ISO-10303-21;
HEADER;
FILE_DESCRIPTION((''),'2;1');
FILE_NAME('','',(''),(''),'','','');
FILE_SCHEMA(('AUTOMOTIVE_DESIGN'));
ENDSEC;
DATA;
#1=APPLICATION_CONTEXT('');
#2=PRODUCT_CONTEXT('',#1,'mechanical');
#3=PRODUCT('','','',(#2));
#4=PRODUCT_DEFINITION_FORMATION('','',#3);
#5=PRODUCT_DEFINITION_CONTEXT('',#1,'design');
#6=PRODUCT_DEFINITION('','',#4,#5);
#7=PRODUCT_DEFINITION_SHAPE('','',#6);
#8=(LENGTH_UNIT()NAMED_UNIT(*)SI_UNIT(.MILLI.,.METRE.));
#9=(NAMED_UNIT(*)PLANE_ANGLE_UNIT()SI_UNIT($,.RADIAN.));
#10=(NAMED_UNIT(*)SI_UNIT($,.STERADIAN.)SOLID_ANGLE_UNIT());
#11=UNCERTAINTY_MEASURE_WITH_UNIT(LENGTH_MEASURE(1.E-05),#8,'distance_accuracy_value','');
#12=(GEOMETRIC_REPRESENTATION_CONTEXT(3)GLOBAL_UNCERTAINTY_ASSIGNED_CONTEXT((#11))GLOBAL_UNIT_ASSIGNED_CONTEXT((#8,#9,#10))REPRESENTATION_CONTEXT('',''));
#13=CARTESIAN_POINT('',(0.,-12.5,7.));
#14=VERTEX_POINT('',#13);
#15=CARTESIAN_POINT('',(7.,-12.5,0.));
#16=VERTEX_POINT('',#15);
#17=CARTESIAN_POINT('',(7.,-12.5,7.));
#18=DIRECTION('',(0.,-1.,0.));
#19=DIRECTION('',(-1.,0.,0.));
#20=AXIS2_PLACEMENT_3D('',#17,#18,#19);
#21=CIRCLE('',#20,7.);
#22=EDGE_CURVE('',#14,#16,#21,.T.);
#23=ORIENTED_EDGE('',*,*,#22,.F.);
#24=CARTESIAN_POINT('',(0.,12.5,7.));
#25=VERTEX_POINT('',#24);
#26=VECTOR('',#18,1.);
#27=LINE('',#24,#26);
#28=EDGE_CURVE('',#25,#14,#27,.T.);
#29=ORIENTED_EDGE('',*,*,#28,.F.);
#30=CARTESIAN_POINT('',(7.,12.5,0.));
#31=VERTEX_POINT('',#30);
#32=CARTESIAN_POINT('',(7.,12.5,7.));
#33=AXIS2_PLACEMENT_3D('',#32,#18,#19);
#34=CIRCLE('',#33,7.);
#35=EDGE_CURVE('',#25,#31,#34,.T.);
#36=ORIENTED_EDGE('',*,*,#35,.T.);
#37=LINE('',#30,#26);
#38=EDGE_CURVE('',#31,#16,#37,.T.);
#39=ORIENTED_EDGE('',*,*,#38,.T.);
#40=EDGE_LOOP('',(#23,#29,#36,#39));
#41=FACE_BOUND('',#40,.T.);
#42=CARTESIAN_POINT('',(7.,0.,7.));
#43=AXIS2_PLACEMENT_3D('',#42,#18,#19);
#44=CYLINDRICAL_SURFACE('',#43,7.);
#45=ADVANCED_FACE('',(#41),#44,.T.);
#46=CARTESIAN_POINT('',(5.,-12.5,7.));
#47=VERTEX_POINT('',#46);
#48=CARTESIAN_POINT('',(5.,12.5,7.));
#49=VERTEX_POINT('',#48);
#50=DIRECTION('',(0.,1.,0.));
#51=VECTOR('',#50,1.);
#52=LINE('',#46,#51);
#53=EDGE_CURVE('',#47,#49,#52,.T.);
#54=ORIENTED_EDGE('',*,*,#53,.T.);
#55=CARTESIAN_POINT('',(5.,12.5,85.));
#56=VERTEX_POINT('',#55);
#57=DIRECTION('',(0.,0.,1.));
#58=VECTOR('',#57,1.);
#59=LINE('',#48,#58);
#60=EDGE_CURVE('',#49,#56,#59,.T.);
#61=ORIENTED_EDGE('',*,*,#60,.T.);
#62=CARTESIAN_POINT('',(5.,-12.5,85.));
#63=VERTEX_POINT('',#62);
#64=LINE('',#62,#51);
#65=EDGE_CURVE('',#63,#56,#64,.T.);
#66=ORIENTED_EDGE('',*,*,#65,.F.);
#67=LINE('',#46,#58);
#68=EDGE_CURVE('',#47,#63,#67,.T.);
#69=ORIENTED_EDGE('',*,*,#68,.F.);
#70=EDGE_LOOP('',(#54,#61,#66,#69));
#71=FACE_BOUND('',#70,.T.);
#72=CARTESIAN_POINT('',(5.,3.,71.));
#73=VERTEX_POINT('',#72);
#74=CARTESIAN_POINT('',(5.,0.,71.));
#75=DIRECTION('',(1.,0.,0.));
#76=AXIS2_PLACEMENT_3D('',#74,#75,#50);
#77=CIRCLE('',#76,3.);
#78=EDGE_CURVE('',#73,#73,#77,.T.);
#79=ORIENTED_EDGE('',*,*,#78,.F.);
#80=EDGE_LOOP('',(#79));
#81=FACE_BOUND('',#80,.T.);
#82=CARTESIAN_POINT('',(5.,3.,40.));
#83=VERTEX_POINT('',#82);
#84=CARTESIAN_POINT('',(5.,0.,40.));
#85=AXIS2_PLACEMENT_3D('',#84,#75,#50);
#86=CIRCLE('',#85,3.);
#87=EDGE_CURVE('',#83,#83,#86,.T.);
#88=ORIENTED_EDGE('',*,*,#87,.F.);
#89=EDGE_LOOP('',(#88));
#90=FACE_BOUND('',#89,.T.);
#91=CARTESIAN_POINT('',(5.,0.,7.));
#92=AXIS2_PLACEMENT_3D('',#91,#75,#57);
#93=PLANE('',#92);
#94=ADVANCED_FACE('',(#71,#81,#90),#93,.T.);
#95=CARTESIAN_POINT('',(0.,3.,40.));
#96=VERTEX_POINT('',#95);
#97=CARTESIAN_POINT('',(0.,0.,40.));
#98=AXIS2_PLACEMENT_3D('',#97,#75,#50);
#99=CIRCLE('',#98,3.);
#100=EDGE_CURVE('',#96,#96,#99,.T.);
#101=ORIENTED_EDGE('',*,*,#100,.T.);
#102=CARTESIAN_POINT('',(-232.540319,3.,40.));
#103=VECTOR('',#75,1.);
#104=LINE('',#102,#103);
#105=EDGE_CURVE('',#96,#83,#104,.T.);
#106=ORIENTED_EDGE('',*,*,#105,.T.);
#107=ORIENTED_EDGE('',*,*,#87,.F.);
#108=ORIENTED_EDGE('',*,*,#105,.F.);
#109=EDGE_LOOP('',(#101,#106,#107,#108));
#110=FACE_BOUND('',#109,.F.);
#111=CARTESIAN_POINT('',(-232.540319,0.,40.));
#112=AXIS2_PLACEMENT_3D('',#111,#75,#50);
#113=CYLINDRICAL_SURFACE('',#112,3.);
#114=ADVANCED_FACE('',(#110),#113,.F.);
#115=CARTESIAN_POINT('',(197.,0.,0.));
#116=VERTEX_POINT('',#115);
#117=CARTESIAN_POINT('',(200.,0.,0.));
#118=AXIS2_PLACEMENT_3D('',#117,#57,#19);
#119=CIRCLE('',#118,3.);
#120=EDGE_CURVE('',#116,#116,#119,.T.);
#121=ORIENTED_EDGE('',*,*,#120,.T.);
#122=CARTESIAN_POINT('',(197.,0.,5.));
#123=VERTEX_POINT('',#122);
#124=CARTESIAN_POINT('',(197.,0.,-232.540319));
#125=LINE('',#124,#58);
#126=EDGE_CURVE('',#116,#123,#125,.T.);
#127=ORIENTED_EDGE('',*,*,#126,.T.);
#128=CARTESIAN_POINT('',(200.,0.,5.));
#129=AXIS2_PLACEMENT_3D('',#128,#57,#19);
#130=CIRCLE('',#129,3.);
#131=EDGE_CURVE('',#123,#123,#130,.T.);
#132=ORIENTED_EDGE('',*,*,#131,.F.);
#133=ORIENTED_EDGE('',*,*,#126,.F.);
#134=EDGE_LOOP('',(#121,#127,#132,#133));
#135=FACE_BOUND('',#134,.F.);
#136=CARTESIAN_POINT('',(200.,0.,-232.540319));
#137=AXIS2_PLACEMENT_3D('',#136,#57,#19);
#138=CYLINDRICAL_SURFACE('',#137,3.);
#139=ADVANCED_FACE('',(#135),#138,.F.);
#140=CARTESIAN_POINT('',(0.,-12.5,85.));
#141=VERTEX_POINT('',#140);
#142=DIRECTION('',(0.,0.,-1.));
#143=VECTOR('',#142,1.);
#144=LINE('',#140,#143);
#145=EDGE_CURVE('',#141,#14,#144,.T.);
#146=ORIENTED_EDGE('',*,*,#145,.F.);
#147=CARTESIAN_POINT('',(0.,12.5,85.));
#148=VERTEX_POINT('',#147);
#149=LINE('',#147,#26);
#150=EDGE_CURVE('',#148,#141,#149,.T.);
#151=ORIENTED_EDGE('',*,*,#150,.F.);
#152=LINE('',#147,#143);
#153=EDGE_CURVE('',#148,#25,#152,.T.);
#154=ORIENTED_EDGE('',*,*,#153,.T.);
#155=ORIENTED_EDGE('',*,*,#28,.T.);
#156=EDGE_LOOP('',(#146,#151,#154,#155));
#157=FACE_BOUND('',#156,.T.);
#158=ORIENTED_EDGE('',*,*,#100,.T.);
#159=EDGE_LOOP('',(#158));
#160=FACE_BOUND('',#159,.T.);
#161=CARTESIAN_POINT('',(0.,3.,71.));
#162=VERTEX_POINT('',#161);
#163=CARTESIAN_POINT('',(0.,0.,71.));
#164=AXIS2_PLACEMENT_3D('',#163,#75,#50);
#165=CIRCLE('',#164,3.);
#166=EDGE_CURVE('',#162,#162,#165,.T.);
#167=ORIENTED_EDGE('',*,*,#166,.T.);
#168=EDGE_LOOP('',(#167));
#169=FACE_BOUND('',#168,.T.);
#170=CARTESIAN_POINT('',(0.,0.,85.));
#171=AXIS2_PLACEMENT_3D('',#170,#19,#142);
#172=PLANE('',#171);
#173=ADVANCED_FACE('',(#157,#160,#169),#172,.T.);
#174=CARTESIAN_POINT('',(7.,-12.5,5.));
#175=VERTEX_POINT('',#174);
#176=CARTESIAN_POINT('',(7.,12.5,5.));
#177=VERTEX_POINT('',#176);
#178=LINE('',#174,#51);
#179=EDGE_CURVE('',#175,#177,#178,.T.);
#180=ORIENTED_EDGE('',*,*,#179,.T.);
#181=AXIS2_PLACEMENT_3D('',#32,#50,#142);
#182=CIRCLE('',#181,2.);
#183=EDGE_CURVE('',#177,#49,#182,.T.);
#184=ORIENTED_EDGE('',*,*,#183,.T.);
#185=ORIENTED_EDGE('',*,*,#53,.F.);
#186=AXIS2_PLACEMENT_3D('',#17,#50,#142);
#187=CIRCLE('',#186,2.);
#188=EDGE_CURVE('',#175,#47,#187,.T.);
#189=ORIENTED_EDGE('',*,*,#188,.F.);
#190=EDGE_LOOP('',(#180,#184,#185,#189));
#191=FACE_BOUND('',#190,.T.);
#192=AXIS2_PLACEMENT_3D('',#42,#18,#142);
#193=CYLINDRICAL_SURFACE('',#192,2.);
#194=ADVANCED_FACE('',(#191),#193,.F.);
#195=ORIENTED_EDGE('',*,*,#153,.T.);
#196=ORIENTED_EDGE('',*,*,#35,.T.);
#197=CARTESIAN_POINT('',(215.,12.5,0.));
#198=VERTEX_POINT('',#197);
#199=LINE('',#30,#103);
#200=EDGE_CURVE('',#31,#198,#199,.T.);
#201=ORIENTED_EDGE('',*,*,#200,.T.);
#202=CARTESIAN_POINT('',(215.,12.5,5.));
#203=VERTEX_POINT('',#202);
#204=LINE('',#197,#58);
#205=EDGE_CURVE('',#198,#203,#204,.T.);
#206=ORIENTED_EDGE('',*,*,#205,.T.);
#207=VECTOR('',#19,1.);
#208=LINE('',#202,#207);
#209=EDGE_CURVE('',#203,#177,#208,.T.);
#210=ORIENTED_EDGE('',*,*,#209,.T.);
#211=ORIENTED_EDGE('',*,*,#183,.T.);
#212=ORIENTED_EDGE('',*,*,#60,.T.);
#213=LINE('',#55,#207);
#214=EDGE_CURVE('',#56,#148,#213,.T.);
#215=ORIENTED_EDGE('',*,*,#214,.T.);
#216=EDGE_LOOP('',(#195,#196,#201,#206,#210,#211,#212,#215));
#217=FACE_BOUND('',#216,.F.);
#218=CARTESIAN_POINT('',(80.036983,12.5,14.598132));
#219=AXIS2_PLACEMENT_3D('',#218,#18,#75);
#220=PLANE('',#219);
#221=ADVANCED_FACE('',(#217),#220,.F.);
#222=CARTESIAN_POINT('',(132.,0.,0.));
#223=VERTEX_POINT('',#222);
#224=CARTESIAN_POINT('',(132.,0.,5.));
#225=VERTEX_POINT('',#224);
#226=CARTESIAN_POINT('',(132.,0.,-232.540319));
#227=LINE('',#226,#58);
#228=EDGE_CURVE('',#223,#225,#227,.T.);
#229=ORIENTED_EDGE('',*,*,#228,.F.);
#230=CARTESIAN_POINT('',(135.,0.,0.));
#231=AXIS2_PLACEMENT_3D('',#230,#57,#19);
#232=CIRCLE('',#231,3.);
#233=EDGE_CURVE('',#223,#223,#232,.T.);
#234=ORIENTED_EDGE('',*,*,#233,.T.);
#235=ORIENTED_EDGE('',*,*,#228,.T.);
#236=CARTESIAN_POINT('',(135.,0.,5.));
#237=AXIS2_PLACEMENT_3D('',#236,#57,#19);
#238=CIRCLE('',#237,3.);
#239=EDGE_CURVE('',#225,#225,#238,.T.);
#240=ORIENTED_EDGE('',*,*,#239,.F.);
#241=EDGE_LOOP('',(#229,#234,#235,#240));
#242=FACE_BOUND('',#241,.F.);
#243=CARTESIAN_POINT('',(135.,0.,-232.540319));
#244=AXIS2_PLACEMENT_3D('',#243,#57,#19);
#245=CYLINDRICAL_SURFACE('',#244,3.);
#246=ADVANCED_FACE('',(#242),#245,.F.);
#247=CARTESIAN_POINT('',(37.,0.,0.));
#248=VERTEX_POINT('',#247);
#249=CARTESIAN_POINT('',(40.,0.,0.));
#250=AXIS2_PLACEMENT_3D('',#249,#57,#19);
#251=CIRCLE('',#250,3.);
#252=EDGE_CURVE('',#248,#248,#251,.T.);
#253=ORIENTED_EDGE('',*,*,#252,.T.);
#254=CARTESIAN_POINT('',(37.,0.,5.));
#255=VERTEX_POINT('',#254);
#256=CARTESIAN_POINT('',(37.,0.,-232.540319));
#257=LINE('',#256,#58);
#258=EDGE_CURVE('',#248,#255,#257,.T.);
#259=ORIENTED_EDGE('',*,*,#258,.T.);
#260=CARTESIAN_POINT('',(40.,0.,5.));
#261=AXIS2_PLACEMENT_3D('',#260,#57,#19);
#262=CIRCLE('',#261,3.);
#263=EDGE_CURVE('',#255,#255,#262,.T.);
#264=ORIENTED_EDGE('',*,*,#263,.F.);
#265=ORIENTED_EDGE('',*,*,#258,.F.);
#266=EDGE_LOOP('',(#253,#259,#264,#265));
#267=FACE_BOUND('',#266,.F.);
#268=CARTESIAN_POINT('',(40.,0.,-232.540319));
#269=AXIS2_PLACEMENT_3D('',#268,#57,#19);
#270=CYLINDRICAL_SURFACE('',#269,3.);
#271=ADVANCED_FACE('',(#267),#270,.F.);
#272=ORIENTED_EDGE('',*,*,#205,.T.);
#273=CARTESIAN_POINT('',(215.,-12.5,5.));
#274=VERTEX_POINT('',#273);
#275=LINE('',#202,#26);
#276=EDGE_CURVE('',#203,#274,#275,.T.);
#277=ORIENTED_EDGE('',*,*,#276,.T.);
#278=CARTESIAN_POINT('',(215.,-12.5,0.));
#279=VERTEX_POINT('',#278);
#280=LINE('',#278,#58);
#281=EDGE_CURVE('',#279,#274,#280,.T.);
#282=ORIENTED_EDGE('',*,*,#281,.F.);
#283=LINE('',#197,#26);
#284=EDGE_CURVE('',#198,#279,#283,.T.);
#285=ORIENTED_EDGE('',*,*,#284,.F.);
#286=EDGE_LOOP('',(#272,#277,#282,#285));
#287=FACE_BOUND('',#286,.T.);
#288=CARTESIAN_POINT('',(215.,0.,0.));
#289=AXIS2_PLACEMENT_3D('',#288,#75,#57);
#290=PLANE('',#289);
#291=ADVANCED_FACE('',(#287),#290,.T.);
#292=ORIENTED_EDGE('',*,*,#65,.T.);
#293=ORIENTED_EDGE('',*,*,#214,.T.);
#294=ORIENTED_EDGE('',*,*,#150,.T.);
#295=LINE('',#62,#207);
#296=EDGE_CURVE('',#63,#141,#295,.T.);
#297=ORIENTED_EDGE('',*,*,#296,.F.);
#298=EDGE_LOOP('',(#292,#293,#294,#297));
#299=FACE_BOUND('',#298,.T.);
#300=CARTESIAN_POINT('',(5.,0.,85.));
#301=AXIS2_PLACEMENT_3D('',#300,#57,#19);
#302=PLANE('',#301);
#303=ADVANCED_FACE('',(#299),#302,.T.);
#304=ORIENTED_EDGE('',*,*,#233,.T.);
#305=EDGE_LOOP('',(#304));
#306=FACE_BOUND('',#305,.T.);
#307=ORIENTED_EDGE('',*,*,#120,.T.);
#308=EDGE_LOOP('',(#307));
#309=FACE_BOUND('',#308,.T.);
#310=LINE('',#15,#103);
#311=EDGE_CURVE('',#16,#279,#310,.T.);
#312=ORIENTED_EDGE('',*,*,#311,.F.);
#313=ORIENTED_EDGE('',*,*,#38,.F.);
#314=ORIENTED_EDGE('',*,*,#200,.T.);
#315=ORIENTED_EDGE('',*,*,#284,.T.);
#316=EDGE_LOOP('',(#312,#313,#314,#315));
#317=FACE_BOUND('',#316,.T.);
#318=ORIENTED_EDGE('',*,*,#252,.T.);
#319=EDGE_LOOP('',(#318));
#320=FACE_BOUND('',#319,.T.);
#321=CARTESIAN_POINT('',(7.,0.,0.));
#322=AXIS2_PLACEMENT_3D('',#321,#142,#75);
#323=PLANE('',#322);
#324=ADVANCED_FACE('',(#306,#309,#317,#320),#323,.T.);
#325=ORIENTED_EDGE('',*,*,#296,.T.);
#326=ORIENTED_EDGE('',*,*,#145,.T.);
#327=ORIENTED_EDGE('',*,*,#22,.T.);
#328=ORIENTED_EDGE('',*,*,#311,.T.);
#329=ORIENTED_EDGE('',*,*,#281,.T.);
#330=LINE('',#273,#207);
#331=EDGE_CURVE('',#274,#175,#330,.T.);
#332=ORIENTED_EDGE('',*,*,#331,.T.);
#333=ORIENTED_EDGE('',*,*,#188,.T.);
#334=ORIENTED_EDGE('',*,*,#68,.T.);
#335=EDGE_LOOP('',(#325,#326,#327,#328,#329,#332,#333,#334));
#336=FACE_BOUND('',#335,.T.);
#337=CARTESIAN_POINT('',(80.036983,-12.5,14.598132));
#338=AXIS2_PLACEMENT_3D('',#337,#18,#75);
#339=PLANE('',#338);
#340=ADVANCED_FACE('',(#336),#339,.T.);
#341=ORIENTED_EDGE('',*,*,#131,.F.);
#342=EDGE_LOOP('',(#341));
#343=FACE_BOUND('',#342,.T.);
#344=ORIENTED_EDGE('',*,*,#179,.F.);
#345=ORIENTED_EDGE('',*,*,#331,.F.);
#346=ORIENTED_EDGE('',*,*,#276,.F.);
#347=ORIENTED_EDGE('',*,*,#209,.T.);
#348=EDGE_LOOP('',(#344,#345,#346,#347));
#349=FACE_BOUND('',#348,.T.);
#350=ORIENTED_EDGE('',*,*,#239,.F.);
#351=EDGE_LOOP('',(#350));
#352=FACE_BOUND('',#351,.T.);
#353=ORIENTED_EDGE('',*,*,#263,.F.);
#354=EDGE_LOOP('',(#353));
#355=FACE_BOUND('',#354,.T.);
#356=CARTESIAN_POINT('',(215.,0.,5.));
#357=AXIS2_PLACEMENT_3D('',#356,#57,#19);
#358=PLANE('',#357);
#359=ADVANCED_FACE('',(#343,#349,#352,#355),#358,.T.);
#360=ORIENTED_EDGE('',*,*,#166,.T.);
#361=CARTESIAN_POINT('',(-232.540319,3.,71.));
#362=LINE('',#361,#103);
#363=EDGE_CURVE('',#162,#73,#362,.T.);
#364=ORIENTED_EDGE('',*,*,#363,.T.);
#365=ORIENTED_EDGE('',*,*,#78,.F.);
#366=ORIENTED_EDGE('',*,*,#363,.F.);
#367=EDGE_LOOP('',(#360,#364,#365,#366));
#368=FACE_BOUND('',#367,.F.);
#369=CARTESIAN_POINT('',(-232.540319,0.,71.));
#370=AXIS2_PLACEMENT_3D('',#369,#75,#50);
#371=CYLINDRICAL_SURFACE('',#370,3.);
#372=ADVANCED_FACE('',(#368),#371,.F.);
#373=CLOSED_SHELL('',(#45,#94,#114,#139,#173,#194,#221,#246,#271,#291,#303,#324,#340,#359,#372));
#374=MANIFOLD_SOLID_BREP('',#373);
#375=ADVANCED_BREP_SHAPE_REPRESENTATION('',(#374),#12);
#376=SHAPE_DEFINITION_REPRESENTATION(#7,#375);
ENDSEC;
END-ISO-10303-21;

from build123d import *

# Parameters (mm, degrees)
F1_DEPTH      = 12.5
F1_DEPTH_BACK = 12.5
F4_D          = 6
F4_ON_F3_D    = 6


with BuildPart() as f1:
    # F0 (on Front) → F1 (new body, two sides)
    with BuildSketch(Plane.XZ) as f1_sk:
        with BuildLine():
            Line((5, 85), (0, 85))
            Line((0, 85), (0, 7))
            ThreePointArc((0, 7), (2.0502525317, 2.0502525317), (7, 0))
            Line((7, 0), (215, 0))
            Line((215, 0), (215, 5))
            Line((215, 5), (7, 5))
            ThreePointArc((7, 5), (5.5857864376, 5.5857864376), (5, 7))
            Line((5, 7), (5, 85))
        make_face()
    extrude(amount=F1_DEPTH)
    extrude(f1_sk.sketch, amount=-F1_DEPTH_BACK)

    # F4 (through all)
    with Locations(Plane(origin=(0, 0, 0), x_dir=(1, 0, 0), z_dir=(0, 0, -1))):
        with Locations((200, 0), (135, 0), (40, 0)):
            Hole(F4_D / 2)

    # F4 on F3 (through all)
    with Locations(Plane(origin=(0, 0, 0), x_dir=(0, -1, 0), z_dir=(-1, 0, 0))):
        with Locations((0, 40), (0, 71)):
            Hole(F4_ON_F3_D / 2)


solid = f1.part
